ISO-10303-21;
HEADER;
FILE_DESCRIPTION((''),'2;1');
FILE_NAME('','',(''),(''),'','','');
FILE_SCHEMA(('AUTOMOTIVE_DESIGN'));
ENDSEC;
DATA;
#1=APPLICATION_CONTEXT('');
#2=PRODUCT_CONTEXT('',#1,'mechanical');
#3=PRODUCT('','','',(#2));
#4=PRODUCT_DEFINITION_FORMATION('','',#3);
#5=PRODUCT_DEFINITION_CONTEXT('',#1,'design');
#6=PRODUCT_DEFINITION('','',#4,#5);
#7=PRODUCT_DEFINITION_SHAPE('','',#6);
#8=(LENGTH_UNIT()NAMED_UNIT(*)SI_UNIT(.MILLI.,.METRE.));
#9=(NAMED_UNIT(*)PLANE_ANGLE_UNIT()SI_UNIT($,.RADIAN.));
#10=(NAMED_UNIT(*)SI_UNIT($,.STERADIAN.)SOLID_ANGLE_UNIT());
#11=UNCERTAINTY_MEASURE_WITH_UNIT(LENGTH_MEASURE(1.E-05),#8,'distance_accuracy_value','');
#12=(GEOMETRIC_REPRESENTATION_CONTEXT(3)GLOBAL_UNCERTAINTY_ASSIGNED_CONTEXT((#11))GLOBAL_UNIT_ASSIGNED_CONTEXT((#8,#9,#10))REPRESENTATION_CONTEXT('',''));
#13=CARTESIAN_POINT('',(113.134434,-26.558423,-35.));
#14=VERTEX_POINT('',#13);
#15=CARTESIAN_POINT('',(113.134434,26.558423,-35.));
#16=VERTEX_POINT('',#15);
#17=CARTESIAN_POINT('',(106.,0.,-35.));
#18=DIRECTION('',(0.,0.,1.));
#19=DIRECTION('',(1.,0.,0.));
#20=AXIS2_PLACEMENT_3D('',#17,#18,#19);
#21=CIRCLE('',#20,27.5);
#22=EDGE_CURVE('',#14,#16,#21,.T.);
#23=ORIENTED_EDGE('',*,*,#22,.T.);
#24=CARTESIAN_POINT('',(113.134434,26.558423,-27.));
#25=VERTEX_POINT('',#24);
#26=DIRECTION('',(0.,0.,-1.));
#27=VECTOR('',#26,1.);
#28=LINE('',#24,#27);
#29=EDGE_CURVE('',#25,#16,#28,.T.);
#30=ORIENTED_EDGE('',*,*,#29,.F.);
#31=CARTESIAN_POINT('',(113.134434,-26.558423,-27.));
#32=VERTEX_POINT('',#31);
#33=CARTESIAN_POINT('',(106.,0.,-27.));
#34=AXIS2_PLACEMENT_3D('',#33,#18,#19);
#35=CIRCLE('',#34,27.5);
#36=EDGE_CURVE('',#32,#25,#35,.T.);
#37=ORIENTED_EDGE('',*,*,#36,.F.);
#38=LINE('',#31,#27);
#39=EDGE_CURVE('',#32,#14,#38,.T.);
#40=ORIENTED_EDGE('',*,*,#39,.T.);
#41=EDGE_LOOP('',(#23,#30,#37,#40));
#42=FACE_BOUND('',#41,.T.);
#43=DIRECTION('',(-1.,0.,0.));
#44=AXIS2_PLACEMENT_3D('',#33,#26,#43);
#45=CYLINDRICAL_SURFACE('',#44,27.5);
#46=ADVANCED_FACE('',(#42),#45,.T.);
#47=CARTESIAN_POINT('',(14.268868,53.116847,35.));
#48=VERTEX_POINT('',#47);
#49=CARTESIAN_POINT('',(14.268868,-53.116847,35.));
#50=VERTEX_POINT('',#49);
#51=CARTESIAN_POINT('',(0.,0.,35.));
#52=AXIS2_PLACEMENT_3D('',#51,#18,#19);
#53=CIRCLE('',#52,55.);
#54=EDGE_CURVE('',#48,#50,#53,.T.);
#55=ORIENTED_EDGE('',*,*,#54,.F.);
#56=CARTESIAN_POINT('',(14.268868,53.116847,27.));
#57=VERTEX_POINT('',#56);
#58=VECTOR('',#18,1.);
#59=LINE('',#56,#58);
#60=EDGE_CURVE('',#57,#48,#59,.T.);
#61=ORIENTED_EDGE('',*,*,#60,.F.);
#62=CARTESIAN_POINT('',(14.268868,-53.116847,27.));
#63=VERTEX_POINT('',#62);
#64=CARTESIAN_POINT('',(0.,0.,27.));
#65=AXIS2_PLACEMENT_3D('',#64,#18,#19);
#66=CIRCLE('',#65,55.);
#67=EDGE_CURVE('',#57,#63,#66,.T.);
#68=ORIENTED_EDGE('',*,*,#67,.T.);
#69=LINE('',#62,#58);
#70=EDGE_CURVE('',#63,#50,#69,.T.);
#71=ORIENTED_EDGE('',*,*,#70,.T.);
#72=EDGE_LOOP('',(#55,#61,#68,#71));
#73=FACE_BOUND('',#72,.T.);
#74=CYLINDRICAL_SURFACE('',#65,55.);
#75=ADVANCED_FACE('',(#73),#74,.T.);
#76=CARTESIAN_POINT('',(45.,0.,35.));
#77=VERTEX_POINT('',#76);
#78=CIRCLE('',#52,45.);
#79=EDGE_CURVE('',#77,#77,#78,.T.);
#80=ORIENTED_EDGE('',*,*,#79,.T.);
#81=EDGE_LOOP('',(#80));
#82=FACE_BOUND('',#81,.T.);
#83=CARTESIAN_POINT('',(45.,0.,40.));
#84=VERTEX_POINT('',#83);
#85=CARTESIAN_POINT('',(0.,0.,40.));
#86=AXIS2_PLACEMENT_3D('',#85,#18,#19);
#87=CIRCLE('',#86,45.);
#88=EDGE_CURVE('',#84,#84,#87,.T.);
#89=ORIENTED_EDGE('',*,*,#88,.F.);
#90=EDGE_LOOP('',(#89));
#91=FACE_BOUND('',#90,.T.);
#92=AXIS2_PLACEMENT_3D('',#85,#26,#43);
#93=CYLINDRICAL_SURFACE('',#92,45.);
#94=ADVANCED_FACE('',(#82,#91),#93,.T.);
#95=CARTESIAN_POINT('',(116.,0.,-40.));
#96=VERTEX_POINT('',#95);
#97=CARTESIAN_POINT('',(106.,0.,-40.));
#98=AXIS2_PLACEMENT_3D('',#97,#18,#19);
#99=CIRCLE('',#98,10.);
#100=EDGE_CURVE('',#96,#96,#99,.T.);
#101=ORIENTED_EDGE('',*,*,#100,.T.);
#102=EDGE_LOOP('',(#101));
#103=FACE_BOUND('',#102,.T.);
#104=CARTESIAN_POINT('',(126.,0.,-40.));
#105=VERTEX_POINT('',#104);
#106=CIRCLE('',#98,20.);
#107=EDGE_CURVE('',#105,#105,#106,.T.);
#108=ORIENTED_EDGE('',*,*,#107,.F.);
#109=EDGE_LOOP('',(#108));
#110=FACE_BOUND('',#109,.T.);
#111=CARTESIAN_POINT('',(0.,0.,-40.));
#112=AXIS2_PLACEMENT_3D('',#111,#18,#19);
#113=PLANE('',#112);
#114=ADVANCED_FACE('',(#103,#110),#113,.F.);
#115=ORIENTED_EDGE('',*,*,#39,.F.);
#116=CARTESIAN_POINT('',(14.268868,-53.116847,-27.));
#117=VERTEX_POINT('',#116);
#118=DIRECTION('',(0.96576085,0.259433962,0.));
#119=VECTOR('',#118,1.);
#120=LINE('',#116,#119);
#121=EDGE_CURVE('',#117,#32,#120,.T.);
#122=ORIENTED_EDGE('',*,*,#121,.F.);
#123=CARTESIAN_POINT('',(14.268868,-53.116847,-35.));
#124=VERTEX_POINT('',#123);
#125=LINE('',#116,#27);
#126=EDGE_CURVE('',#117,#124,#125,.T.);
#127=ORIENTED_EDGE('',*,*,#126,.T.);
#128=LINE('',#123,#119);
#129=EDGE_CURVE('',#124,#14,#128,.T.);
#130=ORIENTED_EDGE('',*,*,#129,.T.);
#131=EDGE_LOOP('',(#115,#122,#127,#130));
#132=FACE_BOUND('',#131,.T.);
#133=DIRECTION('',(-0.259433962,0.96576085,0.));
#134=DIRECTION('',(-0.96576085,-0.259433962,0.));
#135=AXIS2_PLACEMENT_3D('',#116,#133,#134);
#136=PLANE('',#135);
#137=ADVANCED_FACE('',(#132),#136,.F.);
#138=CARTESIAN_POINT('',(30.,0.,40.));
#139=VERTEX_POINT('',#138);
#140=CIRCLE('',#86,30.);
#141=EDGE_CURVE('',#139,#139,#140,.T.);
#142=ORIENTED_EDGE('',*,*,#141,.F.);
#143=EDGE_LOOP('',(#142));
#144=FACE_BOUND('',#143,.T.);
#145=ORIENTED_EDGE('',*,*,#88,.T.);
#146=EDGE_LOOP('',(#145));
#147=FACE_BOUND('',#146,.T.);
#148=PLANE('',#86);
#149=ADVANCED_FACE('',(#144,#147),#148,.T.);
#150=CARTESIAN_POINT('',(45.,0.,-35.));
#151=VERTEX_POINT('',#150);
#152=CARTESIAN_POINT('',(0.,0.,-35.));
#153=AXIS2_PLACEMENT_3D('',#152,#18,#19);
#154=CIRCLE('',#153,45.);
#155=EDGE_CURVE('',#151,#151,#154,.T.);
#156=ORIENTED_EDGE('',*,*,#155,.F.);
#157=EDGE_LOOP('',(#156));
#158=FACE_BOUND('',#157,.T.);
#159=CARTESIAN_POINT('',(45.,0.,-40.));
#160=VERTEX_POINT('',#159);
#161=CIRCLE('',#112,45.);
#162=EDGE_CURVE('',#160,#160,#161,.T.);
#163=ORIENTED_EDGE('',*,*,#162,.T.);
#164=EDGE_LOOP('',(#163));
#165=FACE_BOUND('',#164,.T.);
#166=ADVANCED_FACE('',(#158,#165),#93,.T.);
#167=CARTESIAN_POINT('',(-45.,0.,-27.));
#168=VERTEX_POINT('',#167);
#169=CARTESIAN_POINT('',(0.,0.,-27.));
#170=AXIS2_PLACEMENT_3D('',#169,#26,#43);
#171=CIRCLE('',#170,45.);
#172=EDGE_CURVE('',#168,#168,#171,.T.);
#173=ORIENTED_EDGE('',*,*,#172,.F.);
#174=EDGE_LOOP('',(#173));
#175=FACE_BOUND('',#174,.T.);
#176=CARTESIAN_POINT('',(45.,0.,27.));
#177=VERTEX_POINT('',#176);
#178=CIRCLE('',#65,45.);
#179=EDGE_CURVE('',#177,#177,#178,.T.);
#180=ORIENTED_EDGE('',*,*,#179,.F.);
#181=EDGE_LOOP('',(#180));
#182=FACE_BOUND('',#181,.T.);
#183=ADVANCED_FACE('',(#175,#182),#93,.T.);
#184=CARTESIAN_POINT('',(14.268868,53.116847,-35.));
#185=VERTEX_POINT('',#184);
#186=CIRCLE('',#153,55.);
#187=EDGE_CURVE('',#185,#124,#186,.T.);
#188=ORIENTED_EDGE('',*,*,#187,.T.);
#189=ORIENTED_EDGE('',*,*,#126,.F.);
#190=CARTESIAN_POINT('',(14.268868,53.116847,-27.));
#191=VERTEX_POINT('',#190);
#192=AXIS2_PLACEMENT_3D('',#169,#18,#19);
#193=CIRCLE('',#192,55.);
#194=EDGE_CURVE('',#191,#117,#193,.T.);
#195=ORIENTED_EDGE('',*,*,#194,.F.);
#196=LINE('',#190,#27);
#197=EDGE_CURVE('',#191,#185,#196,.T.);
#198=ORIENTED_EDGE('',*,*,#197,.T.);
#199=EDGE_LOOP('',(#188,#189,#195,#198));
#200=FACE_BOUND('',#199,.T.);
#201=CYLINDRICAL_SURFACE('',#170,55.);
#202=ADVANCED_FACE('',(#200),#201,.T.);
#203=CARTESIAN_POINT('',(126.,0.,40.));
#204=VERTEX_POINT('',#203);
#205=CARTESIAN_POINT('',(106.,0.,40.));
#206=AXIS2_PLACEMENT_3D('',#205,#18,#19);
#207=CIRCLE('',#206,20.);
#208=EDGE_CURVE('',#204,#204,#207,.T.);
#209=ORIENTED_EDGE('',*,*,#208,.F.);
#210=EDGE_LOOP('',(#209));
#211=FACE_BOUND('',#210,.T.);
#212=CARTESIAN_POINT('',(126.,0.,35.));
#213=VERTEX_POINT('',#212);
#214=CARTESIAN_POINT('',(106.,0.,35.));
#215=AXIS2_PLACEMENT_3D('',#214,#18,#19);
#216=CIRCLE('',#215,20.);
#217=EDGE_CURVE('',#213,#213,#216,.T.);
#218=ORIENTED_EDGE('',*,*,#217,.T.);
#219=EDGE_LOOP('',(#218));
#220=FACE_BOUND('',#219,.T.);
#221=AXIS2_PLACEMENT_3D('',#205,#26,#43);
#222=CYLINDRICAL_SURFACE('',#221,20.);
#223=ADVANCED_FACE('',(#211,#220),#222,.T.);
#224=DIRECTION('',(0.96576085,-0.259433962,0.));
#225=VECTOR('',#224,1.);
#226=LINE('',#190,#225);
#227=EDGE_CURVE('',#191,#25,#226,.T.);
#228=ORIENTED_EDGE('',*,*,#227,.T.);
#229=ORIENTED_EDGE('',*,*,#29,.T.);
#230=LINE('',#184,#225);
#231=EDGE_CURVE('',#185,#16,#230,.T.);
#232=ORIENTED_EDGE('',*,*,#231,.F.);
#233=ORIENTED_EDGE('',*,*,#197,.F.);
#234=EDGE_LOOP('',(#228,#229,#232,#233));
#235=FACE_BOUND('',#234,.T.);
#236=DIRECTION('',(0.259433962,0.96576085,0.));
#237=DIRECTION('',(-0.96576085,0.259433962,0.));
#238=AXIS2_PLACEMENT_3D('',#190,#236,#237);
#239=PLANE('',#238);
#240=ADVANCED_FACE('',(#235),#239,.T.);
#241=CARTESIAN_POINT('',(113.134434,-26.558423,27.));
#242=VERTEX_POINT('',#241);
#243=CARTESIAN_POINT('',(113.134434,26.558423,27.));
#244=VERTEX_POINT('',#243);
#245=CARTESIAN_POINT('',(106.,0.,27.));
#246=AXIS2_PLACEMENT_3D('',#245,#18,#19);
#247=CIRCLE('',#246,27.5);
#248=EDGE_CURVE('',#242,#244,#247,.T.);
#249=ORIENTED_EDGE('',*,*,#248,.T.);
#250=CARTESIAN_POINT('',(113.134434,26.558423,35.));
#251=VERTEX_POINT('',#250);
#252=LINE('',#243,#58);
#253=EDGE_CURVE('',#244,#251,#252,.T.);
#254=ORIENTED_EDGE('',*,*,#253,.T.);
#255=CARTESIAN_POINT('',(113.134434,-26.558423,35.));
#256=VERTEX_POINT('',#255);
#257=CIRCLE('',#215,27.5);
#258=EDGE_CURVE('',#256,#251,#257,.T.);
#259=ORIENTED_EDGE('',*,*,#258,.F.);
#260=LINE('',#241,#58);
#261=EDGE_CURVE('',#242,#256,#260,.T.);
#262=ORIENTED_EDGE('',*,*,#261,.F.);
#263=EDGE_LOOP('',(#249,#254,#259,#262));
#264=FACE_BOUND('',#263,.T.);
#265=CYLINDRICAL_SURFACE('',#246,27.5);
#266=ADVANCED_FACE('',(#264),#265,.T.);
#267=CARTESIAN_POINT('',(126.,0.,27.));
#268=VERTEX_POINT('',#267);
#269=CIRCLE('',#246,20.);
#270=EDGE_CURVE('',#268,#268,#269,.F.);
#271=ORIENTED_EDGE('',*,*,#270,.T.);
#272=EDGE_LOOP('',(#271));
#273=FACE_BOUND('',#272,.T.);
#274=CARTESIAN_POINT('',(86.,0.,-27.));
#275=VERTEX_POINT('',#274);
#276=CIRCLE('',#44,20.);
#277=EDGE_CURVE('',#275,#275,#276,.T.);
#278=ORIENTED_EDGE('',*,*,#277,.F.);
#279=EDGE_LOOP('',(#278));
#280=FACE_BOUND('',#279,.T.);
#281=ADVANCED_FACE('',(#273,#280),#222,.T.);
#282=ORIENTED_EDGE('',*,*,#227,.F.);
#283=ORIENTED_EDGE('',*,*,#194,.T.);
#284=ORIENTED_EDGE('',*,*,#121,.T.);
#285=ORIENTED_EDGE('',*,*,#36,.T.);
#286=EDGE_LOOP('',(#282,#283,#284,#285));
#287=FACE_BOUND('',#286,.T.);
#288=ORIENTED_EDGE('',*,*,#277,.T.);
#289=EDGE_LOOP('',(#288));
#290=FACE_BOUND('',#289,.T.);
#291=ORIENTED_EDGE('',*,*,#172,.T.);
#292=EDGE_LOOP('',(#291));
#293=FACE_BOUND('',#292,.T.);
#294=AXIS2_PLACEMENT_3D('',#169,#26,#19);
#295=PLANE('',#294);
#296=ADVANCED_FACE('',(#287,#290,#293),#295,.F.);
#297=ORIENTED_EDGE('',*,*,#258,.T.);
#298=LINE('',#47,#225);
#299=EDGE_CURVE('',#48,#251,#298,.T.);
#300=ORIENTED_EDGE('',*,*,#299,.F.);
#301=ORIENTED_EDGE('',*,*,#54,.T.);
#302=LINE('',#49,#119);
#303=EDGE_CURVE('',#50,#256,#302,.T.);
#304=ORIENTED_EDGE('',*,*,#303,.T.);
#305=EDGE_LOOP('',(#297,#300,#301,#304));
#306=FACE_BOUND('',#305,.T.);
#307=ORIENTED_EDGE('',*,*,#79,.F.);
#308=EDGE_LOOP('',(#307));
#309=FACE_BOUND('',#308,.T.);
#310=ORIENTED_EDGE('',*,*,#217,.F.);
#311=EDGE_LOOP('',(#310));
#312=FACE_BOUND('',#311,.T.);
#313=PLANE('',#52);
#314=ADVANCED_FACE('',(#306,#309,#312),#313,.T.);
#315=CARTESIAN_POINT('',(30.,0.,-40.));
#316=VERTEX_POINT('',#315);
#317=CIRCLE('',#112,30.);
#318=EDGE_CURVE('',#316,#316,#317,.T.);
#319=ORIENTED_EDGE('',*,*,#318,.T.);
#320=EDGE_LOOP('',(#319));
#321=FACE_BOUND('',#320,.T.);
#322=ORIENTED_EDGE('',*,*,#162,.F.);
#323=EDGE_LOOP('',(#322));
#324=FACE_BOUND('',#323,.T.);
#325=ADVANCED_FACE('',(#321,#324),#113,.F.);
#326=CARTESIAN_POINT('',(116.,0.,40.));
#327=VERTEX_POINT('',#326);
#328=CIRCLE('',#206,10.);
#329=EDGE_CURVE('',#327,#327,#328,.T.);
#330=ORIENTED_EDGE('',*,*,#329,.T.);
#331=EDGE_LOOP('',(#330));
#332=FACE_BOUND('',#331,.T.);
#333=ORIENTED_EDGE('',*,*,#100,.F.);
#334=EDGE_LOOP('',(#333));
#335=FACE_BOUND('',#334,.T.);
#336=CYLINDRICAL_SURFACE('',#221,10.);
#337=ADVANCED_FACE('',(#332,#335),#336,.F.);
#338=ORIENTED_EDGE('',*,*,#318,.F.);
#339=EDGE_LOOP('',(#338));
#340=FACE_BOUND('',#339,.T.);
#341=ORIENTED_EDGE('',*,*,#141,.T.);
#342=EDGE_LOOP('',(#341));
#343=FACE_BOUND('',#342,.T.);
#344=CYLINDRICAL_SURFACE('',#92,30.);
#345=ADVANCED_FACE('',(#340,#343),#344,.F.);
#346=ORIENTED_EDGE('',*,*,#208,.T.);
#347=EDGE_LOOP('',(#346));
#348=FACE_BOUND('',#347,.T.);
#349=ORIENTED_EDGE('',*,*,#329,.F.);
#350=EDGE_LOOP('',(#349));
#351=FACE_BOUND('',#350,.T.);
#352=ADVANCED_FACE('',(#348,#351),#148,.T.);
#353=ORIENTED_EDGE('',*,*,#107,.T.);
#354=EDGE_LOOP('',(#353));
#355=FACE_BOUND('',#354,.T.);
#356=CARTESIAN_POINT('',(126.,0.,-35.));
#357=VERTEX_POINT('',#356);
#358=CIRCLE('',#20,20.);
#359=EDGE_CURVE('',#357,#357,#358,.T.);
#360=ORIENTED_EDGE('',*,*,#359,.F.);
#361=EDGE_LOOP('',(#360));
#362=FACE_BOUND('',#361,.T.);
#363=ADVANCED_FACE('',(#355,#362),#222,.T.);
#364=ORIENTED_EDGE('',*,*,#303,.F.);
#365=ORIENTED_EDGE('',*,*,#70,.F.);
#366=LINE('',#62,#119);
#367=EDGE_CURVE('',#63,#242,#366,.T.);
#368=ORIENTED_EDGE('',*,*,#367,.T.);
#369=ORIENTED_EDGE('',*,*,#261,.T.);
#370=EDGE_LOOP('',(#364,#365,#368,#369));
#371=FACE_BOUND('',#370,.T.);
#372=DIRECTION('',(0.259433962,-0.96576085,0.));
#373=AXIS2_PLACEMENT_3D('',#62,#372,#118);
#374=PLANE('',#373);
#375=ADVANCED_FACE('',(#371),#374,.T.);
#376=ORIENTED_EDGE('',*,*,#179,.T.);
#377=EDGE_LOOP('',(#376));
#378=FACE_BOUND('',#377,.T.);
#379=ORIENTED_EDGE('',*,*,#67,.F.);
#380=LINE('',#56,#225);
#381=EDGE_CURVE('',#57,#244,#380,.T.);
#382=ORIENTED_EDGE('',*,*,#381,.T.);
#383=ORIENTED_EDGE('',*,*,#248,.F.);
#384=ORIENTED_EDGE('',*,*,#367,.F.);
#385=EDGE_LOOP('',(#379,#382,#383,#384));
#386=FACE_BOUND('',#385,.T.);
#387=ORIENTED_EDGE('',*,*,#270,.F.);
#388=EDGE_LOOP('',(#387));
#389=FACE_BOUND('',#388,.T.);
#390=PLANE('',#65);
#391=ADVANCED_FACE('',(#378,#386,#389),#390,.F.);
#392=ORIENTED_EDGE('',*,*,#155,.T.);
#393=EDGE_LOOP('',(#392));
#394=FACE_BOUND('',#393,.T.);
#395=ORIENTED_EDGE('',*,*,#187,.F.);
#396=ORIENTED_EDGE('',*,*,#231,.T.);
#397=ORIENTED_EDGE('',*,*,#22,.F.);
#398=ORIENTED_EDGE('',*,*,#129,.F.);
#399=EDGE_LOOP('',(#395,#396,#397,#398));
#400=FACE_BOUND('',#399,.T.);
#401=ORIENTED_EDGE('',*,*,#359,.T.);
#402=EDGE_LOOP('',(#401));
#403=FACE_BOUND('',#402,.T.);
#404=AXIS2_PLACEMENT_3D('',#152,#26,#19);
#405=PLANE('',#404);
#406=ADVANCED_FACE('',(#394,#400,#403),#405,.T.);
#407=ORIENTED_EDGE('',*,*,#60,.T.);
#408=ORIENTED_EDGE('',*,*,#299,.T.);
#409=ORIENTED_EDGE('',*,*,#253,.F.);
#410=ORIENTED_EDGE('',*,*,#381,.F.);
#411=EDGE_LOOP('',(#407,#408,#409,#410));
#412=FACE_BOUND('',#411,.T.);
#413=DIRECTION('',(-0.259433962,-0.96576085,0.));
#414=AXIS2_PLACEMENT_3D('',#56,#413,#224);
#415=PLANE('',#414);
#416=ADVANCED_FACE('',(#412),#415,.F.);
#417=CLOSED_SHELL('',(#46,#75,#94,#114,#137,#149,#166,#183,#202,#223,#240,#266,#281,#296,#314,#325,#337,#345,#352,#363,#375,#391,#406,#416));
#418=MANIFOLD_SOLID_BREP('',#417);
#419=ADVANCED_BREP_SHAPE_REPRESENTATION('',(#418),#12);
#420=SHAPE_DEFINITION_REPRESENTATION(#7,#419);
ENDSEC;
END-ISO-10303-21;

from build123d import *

# Parameters (mm, degrees)
SKETCH_1_R        = 45
SKETCH_1_R_2      = 30
EXTRUDE_5_DEPTH   = 40
SKETCH_1_R_3      = 20
SKETCH_1_R_4      = 10
EXTRUDE_5_2_DEPTH = 40
EXTRUDE_START     = 35
SKETCH_1_7_R      = 45
SKETCH_1_7_R_2    = 20
EXTRUDE_6_DEPTH   = 8


with BuildPart() as part:
    # 草图1 → 凸台-拉伸5 (new, symmetric)
    with BuildSketch(Plane.XY):
        Circle(SKETCH_1_R)
        Circle(SKETCH_1_R_2, mode=Mode.SUBTRACT)
    extrude(amount=EXTRUDE_5_DEPTH, both=True)



with BuildPart() as body_2:
    # 草图1 → Extrude 5 2 (new, symmetric)
    with BuildSketch(Plane.XY):
        with Locations((106, 0)):
            Circle(SKETCH_1_R_3)
        with Locations((106, 0)):
            Circle(SKETCH_1_R_4, mode=Mode.SUBTRACT)
    extrude(amount=EXTRUDE_5_2_DEPTH, both=True)


with BuildPart() as part_1:
    add(part.part)

    add(body_2.part)  # 凸台-拉伸6 merges body 2
    # 草图1<7> → 凸台-拉伸6 (add)
    with BuildSketch(Plane.XY.offset(EXTRUDE_START)):
        with BuildLine():
            Line((113.134433962, 26.558423373), (14.268867925, 53.116846745))
            ThreePointArc((14.268867925, 53.116846745), (-55, 0), (14.268867925, -53.116846745))
            Line((14.268867925, -53.116846745), (113.134433962, -26.558423373))
            ThreePointArc((113.134433962, -26.558423373), (133.5, 0), (113.134433962, 26.558423373))
        make_face()
        Circle(SKETCH_1_7_R, mode=Mode.SUBTRACT)
        with Locations((106, 0)):
            Circle(SKETCH_1_7_R_2, mode=Mode.SUBTRACT)
    extrude_6 = extrude(amount=-EXTRUDE_6_DEPTH)

    # 镜向2: 凸台-拉伸6 across plane
    add(extrude_6.mirror(Plane.XY))


solid = part_1.part
